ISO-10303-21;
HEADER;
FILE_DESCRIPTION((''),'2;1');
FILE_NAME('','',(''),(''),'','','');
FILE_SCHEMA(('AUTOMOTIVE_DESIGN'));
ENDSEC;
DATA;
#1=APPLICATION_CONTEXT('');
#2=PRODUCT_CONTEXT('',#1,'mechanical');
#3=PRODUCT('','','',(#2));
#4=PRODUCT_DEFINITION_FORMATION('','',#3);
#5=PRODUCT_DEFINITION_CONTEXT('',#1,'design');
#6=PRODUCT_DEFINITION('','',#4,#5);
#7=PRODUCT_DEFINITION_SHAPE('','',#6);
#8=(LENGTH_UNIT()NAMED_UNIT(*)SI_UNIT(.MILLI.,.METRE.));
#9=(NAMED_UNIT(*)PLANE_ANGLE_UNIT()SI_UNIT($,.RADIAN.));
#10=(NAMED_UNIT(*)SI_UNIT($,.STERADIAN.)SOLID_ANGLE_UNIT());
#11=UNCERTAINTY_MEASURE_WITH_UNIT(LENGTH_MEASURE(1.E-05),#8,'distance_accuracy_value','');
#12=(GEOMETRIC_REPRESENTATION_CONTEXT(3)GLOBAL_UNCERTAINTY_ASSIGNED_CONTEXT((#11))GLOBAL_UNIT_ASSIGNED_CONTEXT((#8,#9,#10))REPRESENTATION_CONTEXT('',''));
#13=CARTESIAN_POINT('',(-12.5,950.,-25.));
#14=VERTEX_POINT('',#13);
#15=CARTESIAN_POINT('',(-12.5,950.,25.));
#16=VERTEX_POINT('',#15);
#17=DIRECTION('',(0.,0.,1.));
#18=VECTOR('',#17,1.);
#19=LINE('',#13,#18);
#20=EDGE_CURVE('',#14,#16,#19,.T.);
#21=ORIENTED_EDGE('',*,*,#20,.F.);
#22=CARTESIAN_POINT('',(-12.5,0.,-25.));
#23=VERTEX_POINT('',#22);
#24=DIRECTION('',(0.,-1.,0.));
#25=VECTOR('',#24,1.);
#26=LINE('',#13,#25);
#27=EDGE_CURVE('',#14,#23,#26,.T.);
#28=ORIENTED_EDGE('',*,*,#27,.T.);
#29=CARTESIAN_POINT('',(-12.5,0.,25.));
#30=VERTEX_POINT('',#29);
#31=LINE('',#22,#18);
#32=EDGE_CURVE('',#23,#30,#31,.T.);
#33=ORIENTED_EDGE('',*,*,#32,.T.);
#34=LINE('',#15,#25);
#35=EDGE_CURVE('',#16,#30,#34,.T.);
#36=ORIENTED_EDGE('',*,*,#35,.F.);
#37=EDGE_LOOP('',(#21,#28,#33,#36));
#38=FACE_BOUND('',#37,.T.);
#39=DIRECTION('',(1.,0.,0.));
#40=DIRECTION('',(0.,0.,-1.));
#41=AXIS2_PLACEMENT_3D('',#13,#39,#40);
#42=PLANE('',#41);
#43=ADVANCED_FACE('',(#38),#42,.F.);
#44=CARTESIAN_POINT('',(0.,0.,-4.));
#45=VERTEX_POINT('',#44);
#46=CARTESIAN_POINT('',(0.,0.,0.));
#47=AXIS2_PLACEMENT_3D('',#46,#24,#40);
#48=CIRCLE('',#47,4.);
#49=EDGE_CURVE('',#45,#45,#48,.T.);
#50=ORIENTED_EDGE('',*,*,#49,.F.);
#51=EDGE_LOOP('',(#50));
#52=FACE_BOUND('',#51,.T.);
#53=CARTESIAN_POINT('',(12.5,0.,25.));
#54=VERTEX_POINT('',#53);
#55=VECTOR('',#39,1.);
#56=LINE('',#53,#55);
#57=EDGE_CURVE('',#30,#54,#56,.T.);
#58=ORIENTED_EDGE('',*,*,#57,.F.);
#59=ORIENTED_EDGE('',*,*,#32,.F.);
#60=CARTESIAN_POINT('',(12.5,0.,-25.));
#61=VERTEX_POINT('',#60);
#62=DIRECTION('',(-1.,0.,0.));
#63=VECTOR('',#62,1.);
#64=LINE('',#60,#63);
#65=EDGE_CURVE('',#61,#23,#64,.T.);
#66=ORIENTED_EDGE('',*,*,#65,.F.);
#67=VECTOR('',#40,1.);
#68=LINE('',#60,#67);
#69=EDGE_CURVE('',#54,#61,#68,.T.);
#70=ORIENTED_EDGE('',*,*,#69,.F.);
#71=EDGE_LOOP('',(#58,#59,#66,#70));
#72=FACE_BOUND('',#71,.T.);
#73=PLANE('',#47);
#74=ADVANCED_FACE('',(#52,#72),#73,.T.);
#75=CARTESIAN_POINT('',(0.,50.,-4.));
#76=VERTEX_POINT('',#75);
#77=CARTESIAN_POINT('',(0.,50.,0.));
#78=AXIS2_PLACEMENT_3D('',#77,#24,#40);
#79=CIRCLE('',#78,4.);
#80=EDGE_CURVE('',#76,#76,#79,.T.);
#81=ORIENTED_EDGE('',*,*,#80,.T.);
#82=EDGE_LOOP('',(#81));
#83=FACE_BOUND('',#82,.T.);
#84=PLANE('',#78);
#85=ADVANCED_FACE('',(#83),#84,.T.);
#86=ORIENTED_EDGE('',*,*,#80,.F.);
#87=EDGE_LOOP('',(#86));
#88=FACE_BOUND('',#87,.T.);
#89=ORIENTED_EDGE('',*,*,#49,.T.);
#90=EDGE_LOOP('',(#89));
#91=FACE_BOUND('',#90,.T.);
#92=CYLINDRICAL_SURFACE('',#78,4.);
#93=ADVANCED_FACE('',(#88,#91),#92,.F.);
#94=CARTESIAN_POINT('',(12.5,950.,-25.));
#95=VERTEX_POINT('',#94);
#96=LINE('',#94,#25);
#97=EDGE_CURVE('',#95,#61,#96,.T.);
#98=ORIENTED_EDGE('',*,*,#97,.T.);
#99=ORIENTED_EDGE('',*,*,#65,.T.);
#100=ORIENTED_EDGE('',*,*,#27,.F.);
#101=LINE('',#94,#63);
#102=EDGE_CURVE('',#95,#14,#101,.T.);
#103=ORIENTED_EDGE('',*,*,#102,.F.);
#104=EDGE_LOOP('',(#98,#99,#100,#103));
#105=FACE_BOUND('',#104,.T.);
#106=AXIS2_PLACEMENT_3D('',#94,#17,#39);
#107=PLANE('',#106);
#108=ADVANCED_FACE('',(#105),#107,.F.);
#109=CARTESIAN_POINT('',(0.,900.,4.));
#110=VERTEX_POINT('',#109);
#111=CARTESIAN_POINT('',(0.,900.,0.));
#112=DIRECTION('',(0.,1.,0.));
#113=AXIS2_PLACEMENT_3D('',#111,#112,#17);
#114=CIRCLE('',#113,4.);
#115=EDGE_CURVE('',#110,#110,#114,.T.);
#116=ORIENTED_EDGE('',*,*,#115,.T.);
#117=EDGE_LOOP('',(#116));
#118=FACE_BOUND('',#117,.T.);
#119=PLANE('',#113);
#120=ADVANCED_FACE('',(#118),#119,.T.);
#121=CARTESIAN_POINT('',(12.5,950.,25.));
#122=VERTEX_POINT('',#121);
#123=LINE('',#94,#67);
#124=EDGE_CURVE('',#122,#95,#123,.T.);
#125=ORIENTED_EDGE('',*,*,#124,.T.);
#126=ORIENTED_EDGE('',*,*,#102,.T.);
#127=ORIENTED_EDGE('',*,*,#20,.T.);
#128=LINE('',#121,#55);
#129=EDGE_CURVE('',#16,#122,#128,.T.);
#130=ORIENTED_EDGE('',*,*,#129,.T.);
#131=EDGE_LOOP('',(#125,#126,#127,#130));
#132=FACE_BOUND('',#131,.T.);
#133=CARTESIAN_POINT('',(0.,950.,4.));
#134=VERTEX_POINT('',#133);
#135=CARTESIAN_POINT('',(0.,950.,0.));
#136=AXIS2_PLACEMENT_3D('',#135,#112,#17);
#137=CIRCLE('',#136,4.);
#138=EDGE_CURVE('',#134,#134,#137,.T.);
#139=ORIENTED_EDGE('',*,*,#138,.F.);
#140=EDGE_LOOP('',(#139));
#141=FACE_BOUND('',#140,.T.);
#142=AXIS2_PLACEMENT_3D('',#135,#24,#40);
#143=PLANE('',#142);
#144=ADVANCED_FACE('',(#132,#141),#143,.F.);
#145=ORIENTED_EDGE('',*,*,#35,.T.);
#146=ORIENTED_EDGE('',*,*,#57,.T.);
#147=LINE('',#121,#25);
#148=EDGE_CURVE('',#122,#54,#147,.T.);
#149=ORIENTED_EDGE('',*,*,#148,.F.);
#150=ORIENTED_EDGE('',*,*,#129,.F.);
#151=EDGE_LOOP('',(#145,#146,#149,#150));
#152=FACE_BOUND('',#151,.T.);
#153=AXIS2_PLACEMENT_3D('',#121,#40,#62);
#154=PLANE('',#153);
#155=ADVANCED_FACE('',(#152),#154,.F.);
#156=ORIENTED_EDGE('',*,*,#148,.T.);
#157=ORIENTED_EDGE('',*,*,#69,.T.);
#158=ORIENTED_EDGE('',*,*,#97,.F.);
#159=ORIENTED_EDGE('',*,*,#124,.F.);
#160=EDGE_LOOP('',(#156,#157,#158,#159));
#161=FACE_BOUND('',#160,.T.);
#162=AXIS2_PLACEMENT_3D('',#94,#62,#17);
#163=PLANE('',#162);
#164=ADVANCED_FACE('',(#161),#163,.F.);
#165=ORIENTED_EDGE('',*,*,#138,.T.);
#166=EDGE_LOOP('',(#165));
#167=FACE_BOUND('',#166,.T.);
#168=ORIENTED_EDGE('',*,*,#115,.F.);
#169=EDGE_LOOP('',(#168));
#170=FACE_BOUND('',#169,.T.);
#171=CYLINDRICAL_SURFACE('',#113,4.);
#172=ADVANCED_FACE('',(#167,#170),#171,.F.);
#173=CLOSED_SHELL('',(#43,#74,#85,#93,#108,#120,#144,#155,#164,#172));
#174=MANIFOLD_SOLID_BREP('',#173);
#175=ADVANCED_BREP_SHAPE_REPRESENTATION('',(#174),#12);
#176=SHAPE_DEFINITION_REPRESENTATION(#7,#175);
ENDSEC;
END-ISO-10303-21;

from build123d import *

# Parameters (mm, degrees)
SKETCH_1_W          = 25
SKETCH_1_H          = 50
EXTRUDE_1_DEPTH     = 950
SKETCH_2_R          = 4
CUT_EXTRUDE_1_DEPTH = 50
CUT_EXTRUDE_START   = -50
SKETCH_3_R          = 4
CUT_EXTRUDE_2_DEPTH = 50


with BuildPart() as part:
    # Эскиз1 → Бобышка-Вытянуть1 (new body)
    with BuildSketch(Plane(origin=(0, 0, 0), x_dir=(1, 0, 0), z_dir=(0, 1, 0))):
        Rectangle(SKETCH_1_W, SKETCH_1_H)
    extrude(amount=EXTRUDE_1_DEPTH)

    # Эскиз2 → Вырез-Вытянуть1 (cut)
    with BuildSketch(Plane.XZ):
        with Locations(Location((0, 0, 0), (0, 0, 270))):
            Circle(SKETCH_2_R)
    extrude(amount=-CUT_EXTRUDE_1_DEPTH, mode=Mode.SUBTRACT)

    # Эскиз3 → Вырез-Вытянуть2 (cut)
    with BuildSketch(Plane(origin=(0, 950, 0), x_dir=(1, 0, 0), z_dir=(0, 1, 0)).offset(CUT_EXTRUDE_START)):
        with Locations(Location((0, 0, 0), (0, 0, 90))):
            Circle(SKETCH_3_R)
    extrude(amount=CUT_EXTRUDE_2_DEPTH, mode=Mode.SUBTRACT)


solid = part.part
